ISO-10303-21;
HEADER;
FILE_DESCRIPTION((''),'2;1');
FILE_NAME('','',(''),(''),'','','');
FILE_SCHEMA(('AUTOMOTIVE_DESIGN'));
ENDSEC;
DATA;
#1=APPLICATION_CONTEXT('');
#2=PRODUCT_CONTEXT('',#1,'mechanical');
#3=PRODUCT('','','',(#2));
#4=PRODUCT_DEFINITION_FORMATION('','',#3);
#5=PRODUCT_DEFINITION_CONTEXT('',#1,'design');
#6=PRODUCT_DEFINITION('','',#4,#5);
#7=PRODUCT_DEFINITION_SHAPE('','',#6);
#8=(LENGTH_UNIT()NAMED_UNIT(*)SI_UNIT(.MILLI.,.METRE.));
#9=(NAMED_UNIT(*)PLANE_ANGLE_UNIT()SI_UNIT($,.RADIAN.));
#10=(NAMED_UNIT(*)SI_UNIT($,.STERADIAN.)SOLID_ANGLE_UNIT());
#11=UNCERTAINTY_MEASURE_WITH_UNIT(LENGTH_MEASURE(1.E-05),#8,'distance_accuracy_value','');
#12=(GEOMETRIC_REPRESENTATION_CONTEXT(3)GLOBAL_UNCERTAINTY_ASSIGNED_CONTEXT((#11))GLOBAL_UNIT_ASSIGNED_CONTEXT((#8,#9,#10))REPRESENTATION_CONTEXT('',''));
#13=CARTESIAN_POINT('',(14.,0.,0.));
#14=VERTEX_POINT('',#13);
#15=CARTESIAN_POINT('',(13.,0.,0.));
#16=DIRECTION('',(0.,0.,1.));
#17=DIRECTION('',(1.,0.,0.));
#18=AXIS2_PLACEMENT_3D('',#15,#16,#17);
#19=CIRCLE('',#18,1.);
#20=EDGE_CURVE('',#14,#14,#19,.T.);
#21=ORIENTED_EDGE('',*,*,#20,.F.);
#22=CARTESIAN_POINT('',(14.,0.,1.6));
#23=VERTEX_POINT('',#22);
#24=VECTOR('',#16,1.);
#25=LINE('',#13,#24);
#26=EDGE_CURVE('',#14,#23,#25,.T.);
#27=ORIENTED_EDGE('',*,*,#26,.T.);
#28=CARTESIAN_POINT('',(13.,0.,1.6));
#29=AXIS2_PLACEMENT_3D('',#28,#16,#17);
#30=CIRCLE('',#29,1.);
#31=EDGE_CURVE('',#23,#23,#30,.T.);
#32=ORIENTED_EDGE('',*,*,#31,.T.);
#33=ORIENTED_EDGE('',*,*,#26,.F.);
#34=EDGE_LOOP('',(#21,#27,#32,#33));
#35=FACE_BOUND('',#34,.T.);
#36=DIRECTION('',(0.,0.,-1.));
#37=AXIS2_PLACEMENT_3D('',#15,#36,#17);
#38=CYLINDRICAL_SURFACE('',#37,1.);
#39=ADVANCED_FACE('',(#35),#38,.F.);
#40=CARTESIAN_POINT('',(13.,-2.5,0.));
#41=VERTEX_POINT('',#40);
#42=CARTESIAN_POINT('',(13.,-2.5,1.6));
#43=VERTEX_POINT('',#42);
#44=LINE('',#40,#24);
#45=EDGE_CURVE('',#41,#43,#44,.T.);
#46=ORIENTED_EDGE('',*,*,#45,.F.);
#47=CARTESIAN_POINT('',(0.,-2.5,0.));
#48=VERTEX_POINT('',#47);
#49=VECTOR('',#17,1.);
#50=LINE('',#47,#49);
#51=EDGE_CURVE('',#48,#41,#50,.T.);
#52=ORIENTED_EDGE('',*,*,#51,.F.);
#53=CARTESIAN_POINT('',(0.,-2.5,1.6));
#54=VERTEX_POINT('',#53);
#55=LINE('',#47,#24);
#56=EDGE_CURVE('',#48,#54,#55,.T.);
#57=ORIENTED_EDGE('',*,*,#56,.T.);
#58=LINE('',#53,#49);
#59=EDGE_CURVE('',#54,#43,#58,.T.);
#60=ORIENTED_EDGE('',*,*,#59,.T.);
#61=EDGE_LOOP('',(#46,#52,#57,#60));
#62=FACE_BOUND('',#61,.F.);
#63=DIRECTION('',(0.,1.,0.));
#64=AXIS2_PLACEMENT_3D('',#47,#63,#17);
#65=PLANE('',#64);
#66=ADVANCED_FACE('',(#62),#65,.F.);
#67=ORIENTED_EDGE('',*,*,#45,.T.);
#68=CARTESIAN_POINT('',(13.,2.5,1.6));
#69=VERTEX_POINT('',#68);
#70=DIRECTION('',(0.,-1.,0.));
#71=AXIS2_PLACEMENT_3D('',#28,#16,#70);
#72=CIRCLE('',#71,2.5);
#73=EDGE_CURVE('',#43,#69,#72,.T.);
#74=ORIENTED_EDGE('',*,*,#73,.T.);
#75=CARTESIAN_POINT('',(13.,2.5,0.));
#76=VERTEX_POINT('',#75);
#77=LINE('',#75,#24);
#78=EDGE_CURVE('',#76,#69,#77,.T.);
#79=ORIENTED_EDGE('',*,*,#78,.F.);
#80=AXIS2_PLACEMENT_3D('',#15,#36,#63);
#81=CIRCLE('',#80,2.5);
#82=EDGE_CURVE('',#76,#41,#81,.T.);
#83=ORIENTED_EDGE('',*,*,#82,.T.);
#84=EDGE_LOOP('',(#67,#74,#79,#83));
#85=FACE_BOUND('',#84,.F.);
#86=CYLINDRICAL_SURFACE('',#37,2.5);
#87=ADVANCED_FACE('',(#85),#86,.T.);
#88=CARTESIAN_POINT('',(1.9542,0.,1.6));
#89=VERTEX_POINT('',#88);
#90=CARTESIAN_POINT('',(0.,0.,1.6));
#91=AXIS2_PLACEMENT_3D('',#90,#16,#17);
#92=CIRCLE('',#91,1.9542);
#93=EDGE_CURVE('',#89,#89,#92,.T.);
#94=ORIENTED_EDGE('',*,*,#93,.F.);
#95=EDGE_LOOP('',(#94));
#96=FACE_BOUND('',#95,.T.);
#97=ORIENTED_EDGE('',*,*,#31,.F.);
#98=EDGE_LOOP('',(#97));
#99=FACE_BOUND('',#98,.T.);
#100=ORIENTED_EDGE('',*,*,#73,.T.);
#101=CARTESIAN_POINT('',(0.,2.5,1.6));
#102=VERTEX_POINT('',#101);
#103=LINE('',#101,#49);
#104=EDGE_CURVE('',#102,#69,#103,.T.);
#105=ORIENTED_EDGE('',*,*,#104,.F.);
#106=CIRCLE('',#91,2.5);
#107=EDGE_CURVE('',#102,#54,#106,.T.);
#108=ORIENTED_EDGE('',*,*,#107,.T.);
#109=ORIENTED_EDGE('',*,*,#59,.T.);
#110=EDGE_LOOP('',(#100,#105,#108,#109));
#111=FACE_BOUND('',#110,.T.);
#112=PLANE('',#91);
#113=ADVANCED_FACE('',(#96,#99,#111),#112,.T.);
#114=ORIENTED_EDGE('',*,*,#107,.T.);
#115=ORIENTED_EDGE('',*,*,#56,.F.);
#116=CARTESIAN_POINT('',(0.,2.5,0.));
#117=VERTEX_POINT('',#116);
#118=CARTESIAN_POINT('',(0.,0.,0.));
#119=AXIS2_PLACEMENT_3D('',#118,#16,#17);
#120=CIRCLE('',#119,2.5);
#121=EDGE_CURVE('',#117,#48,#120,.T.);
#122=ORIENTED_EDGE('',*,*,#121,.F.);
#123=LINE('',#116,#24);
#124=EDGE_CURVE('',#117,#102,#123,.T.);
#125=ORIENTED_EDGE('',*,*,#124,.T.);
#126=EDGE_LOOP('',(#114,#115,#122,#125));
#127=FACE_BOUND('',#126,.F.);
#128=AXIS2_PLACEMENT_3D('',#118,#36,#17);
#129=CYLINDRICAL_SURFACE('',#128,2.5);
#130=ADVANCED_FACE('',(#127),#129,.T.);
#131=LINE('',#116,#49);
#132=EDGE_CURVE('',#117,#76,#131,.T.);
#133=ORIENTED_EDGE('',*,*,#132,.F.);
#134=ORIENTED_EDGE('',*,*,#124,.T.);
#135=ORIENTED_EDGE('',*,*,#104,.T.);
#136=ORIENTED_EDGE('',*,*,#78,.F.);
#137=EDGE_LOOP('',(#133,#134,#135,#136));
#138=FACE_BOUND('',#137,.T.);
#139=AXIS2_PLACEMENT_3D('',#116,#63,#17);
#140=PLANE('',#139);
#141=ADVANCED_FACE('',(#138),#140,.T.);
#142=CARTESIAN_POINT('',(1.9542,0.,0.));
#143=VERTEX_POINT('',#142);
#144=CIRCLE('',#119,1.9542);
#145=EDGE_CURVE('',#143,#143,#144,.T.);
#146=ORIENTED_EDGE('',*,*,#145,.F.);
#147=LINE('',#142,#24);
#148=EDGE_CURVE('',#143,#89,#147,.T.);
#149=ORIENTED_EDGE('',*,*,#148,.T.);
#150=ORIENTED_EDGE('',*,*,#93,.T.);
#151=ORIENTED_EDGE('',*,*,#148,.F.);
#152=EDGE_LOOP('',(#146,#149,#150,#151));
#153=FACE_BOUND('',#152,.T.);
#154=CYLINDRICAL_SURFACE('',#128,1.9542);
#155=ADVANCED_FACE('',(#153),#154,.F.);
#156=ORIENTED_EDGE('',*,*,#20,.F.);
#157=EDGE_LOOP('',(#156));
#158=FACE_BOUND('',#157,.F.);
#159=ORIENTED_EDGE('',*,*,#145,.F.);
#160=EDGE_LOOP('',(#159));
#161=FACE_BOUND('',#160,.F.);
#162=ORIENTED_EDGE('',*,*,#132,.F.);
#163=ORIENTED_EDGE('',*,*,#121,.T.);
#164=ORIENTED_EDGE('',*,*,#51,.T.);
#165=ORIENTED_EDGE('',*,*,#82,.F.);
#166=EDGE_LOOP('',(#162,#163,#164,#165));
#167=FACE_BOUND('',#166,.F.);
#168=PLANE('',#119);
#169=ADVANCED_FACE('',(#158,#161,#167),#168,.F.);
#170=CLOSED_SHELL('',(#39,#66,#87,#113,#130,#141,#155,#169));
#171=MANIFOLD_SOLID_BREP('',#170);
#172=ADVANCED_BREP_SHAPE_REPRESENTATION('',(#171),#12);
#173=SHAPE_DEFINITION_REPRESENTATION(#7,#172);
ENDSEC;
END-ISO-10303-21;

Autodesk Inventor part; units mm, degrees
ref_plane "YZ Plane" through (0, 0, 0) normal (1, 0, 0) x (0, 1, 0)
ref_plane "XZ Plane" through (0, 0, 0) normal (0, 1, 0) x (-1, 0, 0)
ref_plane "XY Plane" through (0, 0, 0) normal (0, 0, 1) x (1, 0, 0)
sketch "Sketch1" plane through (0, 0, 0) normal (0, 0, 1) x (1, 0, 0)
  circle A0 centre (0, 0) radius 2.5
  circle A1 centre (13, 0) radius 1
  circle A2 centre (13, 0) radius 2.5
  line L0 (0, 2.5) -> (13, 2.5)
  line L1 (0, -2.5) -> (13, -2.5)
  circle A3 centre (0, 0) radius 1.9542
  dimension "d16" = 2
  dimension "d17" = 5
extrude "Extrusion1" add sketch "Sketch1" along normal blind 1.6
properties part number "servo horn"
